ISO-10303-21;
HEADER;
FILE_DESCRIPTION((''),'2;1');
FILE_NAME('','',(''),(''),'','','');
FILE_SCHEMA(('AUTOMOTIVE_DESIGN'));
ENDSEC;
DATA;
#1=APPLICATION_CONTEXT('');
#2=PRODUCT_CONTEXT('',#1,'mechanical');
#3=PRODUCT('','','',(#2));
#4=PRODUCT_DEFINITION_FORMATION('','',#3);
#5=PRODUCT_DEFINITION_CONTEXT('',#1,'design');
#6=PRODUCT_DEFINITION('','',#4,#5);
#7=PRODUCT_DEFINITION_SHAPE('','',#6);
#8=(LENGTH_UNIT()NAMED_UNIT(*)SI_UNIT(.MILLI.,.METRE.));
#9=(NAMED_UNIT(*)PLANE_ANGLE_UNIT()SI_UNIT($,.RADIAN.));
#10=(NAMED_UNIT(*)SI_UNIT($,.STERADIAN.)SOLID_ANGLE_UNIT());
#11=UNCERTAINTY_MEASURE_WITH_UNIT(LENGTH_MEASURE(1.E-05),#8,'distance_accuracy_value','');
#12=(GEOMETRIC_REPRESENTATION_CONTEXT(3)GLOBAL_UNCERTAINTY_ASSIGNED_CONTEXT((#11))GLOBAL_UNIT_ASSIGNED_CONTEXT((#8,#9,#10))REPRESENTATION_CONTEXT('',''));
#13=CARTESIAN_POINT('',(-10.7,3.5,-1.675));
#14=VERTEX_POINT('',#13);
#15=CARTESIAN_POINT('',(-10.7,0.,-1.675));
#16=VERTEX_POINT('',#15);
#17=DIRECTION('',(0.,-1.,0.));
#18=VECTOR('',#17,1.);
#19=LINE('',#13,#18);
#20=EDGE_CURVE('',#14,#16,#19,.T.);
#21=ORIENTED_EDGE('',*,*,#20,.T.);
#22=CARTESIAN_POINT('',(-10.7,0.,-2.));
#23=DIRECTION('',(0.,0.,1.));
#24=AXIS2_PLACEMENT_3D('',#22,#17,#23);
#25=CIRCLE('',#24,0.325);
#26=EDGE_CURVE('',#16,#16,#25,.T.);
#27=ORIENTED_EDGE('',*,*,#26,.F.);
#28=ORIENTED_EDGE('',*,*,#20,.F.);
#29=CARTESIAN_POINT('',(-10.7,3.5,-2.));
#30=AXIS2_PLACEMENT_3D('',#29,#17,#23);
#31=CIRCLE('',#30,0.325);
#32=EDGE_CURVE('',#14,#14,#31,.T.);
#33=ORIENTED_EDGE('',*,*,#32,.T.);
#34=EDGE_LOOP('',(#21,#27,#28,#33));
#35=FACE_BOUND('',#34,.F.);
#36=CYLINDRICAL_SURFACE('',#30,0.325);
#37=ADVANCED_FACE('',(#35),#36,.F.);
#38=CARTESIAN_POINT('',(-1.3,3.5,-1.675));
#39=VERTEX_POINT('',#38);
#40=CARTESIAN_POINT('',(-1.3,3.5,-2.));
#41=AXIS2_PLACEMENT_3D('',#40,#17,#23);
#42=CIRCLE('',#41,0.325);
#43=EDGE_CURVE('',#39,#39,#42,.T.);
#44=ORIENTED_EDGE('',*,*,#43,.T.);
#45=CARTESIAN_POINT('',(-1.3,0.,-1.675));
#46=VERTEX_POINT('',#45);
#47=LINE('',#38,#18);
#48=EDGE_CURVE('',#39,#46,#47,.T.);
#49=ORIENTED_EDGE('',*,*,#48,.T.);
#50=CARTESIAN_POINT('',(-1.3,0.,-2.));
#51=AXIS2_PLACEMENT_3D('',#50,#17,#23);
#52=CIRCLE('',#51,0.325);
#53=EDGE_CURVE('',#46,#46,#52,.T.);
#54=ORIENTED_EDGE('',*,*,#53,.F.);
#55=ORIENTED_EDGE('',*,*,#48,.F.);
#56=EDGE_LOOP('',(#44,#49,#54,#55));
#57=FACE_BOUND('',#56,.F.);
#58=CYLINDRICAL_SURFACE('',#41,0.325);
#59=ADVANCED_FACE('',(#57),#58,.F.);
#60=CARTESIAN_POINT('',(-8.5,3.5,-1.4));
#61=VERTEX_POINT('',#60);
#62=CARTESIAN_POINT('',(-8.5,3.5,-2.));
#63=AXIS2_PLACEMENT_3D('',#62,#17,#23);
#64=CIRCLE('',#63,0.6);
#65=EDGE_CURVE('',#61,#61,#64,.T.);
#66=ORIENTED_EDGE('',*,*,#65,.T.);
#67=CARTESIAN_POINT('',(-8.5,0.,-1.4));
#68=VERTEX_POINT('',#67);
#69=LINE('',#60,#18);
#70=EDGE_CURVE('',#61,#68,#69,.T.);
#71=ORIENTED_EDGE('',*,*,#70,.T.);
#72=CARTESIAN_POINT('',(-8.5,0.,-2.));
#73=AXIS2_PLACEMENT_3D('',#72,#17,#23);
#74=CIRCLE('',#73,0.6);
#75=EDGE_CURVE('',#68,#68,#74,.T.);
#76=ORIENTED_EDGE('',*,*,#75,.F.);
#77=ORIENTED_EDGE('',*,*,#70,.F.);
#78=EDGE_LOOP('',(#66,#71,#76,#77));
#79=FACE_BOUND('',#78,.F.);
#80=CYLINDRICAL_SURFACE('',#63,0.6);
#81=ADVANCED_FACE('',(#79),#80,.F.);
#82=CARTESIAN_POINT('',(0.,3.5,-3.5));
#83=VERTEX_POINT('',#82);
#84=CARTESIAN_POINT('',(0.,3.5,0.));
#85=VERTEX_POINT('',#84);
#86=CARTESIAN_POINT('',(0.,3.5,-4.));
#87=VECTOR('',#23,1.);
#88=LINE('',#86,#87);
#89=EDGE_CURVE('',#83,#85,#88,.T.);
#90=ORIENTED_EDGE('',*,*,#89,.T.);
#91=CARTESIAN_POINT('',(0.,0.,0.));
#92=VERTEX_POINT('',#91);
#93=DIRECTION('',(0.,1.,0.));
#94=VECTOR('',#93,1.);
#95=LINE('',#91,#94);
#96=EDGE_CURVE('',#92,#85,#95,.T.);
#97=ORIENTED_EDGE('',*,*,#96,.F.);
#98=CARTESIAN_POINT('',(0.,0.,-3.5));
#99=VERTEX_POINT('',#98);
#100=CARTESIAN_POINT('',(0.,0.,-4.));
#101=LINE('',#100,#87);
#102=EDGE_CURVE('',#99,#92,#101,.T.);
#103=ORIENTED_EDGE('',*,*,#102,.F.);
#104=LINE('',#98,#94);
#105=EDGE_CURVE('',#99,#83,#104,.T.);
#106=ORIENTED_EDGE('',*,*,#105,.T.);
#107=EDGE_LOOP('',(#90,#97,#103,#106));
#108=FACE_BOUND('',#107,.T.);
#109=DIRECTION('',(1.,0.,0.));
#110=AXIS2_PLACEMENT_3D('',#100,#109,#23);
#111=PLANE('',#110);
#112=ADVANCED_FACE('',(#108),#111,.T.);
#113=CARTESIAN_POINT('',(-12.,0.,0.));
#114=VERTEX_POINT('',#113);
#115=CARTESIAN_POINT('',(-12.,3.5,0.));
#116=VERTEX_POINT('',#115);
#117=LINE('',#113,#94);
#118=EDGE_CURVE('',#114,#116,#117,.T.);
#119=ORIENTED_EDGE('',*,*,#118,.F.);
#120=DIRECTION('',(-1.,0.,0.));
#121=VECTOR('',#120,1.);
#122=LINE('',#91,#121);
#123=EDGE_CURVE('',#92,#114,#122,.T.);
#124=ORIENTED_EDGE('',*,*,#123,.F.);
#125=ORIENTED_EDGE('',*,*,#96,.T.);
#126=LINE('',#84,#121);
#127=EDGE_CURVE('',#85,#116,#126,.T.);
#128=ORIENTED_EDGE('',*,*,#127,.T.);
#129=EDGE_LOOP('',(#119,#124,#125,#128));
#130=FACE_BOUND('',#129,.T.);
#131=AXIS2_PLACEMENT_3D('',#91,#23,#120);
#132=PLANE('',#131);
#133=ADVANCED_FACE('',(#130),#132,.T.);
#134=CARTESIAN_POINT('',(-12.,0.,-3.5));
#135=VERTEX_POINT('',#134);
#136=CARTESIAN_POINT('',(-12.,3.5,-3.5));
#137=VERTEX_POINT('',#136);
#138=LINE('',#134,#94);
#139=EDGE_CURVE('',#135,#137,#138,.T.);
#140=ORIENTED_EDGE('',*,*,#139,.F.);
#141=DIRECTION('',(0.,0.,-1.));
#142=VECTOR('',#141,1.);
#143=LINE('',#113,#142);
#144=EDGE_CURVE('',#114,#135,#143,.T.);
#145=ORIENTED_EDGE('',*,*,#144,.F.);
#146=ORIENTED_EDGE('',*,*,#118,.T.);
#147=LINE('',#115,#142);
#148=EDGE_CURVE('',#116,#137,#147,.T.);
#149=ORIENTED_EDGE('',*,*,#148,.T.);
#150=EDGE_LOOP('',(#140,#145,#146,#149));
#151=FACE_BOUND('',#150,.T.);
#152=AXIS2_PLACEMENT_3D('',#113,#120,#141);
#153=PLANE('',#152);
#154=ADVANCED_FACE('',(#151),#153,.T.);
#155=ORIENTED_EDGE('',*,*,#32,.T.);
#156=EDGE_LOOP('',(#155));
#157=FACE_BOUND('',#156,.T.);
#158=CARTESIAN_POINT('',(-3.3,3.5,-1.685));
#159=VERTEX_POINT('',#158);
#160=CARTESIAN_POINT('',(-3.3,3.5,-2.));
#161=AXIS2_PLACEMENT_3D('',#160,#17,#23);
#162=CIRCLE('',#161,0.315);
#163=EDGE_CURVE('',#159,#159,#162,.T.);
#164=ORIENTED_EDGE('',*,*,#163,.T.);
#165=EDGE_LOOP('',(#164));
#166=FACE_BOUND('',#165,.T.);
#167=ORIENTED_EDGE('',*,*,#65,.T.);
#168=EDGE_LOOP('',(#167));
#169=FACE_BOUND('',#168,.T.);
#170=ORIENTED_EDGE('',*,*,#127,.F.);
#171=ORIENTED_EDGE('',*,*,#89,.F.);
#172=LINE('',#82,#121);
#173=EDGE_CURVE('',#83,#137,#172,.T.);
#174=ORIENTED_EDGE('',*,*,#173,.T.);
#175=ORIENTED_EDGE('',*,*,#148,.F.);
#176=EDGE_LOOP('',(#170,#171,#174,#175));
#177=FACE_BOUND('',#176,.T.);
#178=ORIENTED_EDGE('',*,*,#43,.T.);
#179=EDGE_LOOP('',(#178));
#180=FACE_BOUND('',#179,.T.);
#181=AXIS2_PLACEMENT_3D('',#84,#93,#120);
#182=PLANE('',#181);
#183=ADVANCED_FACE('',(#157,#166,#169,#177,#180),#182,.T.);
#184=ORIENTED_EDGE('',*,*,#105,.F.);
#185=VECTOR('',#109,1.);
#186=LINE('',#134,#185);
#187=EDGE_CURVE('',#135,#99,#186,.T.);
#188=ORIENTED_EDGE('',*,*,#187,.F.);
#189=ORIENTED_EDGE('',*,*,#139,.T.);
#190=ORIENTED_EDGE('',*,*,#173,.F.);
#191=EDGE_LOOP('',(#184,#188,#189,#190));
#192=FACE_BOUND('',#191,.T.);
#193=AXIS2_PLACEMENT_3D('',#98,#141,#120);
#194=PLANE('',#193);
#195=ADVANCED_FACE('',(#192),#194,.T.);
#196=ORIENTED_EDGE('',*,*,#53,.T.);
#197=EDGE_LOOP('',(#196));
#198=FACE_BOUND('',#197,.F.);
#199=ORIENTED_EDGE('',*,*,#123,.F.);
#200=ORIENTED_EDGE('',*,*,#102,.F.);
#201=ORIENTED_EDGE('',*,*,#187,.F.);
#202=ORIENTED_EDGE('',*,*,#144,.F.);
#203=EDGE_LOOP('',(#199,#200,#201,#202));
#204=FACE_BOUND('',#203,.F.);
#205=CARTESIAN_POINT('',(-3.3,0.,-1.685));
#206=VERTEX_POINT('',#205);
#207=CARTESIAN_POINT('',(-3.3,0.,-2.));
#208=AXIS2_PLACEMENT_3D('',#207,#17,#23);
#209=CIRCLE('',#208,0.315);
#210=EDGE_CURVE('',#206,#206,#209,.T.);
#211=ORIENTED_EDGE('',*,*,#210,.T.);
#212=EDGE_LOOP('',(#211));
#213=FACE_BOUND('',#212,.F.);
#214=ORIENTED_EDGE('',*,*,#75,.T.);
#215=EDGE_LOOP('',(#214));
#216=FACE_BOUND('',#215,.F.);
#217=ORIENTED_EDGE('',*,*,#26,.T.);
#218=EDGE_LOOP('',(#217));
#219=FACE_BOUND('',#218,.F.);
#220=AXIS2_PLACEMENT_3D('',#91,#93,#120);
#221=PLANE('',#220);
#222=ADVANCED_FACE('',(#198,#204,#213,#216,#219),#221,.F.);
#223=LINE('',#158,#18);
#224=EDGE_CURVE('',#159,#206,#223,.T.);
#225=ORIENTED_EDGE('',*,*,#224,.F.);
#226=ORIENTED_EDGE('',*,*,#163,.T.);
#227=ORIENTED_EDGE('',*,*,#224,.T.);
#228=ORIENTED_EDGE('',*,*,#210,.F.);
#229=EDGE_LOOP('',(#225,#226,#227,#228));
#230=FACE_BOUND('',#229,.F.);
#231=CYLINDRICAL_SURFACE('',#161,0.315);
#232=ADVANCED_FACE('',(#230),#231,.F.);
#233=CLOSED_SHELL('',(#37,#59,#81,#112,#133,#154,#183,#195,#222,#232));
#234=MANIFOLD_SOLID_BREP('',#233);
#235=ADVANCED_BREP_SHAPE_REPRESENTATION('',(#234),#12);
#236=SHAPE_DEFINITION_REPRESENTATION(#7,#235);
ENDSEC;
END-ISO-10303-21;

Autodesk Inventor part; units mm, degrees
ref_plane "YZ Plane" through (0, 0, 0) normal (1, 0, 0) x (0, 1, 0)
ref_plane "XZ Plane" through (0, 0, 0) normal (0, 1, 0) x (-1, 0, 0)
ref_plane "XY Plane" through (0, 0, 0) normal (0, 0, 1) x (1, 0, 0)
sketch "스케치1" plane through (0, 0, 0) normal (0, 1, 0) x (-1, 0, 0)
  line L0 (0, 0) -> (12, 0)
  line L1 (12, 0) -> (12, -4)
  line L2 (12, -4) -> (0, -4)
  line L3 (0, -4) -> (0, 0)
  dimension "d0" = 12
  dimension "d1" = 4
extrude "돌출1" add sketch "스케치1" along normal blind 3.5
sketch "스케치2" plane through (0, 3.5, 0) normal (0, 1, 0) x (1, 0, 0)
  line L0 (0, 0) -> (0, 4) construction
  line L1 (0, 2) -> (-12, 2) construction
  line L2 (-12, 4) -> (-12, 0) construction
  point P0 (-1.3, 2)
  point P1 (-3.3, 2)
  point P2 (-8.5, 2)
  point P3 (-10.7, 2)
  dimension "d59" = 1.3
  dimension "d60" = 2.2
  dimension "d61" = 5.2
  dimension "d62" = 1.3
  dimension "d72" = 2
hole "구멍1" at (-10.7, 3.5, -2) at (-1.3, 3.5, -2) direction (0, -1, 0) diameter 0.65 end through all
hole "구멍2" at (-8.5, 3.5, -2) direction (0, -1, 0) diameter 1.2 end through all
hole "구멍3" at (-3.3, 3.5, -2) direction (0, -1, 0) diameter 0.63 end through all
sketch "스케치7" plane through (0, 0, -4) normal (0, 0, -1) x (-1, 0, 0)
  line L0 (12, 0) -> (0, 0) projected
  line L1 (12, 0) -> (12, 3.5) projected
  line L2 (0, 3.5) -> (12, 3.5) projected
  line L3 (0, 0) -> (0, 3.5) projected
  point P0 (0, 0)
extrude "돌출5" cut sketch "스케치7" against normal blind 0.5
equation "\"G23_F\" = 0.65"
equation "\"G23_M\" = 0.67"
equation "\"Screw_F\" = 1.3"
equation "\"Screw_M\" = 1.6"
properties part number "_3D 인쇄"
